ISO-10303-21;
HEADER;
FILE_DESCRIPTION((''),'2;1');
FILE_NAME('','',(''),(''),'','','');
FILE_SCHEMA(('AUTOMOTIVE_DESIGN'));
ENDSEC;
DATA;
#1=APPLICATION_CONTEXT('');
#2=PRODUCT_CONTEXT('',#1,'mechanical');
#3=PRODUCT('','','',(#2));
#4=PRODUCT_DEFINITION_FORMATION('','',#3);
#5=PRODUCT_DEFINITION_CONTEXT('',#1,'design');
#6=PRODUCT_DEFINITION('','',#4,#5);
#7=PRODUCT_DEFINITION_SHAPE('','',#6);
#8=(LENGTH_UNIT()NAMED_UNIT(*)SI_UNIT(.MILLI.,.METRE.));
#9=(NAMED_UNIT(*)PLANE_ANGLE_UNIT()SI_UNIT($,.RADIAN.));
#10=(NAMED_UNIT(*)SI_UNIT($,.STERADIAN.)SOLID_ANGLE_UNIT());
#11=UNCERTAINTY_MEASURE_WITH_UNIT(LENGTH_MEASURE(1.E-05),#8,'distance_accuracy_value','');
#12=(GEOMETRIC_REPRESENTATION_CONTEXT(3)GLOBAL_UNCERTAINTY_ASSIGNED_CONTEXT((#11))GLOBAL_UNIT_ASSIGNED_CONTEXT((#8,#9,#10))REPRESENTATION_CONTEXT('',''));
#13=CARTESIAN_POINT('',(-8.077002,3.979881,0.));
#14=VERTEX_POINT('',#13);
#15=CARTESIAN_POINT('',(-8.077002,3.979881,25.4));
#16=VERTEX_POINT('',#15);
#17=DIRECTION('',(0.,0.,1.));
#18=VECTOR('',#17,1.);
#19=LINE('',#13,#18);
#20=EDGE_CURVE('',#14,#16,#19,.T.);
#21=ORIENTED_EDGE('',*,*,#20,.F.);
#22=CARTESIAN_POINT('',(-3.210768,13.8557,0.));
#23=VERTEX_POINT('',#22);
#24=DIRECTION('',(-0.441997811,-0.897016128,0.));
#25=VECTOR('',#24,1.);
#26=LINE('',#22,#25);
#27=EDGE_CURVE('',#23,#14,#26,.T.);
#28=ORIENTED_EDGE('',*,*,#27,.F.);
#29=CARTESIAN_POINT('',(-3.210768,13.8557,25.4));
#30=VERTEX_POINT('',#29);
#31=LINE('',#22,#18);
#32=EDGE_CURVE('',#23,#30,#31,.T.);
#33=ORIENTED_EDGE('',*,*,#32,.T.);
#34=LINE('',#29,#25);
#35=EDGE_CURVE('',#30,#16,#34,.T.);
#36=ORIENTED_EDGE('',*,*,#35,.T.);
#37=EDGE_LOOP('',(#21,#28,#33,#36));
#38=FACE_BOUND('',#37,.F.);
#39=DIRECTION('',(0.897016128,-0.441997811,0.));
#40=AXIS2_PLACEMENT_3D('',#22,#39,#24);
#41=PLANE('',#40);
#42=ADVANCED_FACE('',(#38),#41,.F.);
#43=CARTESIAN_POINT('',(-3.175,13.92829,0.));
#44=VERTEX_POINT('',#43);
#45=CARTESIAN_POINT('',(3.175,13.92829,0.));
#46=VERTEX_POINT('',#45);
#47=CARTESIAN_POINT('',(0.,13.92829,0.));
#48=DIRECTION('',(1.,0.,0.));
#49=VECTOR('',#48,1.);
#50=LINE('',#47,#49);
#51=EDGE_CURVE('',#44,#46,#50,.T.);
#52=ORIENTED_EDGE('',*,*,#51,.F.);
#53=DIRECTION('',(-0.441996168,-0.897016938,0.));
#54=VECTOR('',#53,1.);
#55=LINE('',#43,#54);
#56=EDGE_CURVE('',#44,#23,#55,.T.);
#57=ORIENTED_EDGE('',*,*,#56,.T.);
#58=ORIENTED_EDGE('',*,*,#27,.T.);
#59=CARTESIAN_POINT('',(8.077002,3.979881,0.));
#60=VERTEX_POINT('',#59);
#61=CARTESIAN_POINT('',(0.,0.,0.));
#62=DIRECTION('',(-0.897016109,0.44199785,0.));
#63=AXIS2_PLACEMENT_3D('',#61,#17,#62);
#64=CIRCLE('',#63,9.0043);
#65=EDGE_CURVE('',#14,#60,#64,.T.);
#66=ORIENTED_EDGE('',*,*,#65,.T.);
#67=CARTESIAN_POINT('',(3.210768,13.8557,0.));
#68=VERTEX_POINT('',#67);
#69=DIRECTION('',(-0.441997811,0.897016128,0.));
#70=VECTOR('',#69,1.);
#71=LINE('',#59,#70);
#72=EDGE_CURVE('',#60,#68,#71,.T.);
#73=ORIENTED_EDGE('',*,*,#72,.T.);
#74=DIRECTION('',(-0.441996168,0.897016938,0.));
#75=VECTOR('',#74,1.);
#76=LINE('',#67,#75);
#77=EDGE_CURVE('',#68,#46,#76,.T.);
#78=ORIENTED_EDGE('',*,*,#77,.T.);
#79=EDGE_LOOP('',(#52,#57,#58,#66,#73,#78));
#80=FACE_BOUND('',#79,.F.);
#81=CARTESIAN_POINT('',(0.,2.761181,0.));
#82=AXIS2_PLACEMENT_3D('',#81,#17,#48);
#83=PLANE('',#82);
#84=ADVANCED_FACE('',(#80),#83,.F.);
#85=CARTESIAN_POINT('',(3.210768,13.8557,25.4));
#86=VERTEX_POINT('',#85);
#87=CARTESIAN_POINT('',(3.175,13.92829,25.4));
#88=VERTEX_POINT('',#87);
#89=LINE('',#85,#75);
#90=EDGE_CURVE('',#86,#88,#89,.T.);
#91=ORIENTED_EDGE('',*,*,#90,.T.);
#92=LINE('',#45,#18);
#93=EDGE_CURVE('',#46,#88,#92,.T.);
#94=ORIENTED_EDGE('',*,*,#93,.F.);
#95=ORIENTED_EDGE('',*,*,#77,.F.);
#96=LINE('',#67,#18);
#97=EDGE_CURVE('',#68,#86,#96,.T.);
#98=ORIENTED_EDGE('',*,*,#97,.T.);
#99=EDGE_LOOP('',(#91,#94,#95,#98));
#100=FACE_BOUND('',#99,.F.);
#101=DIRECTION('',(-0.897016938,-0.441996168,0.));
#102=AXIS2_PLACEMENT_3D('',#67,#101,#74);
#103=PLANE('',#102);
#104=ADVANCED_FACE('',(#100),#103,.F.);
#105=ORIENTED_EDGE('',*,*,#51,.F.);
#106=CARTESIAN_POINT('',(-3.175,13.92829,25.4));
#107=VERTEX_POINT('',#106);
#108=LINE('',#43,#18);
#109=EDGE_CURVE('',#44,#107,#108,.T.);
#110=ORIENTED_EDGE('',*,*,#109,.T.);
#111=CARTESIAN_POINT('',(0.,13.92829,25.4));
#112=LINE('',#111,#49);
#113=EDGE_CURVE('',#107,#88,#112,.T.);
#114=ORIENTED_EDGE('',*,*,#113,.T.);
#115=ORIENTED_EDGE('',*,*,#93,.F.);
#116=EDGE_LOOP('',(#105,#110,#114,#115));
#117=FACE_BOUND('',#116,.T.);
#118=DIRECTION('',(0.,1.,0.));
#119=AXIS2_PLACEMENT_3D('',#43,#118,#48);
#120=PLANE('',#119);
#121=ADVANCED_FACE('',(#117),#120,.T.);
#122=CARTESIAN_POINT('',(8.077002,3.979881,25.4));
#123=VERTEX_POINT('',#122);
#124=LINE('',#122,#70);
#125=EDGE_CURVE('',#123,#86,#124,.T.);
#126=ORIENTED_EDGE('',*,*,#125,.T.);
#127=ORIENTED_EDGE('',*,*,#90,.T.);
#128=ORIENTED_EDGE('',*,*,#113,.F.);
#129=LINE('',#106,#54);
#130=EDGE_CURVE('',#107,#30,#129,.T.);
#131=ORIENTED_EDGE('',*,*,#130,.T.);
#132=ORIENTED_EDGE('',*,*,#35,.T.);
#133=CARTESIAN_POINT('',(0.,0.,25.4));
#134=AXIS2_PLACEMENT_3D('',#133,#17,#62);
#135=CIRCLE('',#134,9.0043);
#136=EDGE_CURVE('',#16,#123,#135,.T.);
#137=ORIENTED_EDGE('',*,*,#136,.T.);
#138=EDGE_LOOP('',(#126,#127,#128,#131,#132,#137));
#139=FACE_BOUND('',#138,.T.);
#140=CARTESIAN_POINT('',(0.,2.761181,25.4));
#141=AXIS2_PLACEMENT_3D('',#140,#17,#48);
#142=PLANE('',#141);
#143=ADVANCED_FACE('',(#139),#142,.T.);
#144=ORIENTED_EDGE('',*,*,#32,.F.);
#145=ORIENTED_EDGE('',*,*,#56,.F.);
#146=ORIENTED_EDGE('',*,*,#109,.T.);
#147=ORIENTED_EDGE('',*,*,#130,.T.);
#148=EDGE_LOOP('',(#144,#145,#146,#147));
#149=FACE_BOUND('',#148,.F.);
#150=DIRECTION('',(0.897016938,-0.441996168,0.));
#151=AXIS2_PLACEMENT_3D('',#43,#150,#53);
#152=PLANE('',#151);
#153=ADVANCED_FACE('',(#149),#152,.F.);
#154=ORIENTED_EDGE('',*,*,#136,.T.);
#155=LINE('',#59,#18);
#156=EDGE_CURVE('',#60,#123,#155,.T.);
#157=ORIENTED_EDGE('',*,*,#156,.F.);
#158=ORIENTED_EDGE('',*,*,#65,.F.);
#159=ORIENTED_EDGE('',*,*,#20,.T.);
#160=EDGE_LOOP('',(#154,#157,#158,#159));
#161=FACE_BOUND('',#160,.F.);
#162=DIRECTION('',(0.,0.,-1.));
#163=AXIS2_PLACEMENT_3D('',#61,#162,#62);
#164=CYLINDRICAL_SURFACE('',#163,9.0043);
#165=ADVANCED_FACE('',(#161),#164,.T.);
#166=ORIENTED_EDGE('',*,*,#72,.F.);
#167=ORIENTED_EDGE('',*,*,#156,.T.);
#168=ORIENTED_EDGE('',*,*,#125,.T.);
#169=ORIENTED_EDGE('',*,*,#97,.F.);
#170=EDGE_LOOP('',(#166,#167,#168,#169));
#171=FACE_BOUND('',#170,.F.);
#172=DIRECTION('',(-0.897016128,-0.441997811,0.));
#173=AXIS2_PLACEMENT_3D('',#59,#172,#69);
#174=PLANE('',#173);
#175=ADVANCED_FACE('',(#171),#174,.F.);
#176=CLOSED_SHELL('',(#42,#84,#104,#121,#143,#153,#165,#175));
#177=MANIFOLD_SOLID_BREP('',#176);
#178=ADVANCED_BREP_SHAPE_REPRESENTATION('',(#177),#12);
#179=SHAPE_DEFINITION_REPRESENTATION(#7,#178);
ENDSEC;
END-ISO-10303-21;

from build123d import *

# Parameters (mm, degrees)
F0_R     = 6.35
F0_W     = 6.35
F0_H     = 0.07259
F1_DEPTH = 25.4


with BuildPart() as f1:
    # F0 (on Top) → F1 (new body)
    with BuildSketch(Plane.XY):
        with BuildLine():
            Line((-3.210768, 13.8557), (-8.077002, 3.979881))
            ThreePointArc((-8.077002, 3.979881), (0, -9.0043), (8.077002, 3.979881))
            Line((8.077002, 3.979881), (3.210768, 13.8557))
            Line((3.210768, 13.8557), (3.175, 13.8557))
            Line((3.175, 13.8557), (-3.175, 13.8557))
            Line((-3.175, 13.8557), (-3.210768, 13.8557))
        make_face()
        Circle(F0_R, mode=Mode.SUBTRACT)
        Polygon((-3.175, 13.92829), (-3.210768, 13.8557), (-3.175, 13.8557), align=None)
        Polygon((3.175, 13.8557), (3.210768, 13.8557), (3.175, 13.92829), align=None)
        with Locations((0, 13.891995)):
            Rectangle(F0_W, F0_H)
        Circle(F0_R)
    extrude(amount=F1_DEPTH)


solid = f1.part
